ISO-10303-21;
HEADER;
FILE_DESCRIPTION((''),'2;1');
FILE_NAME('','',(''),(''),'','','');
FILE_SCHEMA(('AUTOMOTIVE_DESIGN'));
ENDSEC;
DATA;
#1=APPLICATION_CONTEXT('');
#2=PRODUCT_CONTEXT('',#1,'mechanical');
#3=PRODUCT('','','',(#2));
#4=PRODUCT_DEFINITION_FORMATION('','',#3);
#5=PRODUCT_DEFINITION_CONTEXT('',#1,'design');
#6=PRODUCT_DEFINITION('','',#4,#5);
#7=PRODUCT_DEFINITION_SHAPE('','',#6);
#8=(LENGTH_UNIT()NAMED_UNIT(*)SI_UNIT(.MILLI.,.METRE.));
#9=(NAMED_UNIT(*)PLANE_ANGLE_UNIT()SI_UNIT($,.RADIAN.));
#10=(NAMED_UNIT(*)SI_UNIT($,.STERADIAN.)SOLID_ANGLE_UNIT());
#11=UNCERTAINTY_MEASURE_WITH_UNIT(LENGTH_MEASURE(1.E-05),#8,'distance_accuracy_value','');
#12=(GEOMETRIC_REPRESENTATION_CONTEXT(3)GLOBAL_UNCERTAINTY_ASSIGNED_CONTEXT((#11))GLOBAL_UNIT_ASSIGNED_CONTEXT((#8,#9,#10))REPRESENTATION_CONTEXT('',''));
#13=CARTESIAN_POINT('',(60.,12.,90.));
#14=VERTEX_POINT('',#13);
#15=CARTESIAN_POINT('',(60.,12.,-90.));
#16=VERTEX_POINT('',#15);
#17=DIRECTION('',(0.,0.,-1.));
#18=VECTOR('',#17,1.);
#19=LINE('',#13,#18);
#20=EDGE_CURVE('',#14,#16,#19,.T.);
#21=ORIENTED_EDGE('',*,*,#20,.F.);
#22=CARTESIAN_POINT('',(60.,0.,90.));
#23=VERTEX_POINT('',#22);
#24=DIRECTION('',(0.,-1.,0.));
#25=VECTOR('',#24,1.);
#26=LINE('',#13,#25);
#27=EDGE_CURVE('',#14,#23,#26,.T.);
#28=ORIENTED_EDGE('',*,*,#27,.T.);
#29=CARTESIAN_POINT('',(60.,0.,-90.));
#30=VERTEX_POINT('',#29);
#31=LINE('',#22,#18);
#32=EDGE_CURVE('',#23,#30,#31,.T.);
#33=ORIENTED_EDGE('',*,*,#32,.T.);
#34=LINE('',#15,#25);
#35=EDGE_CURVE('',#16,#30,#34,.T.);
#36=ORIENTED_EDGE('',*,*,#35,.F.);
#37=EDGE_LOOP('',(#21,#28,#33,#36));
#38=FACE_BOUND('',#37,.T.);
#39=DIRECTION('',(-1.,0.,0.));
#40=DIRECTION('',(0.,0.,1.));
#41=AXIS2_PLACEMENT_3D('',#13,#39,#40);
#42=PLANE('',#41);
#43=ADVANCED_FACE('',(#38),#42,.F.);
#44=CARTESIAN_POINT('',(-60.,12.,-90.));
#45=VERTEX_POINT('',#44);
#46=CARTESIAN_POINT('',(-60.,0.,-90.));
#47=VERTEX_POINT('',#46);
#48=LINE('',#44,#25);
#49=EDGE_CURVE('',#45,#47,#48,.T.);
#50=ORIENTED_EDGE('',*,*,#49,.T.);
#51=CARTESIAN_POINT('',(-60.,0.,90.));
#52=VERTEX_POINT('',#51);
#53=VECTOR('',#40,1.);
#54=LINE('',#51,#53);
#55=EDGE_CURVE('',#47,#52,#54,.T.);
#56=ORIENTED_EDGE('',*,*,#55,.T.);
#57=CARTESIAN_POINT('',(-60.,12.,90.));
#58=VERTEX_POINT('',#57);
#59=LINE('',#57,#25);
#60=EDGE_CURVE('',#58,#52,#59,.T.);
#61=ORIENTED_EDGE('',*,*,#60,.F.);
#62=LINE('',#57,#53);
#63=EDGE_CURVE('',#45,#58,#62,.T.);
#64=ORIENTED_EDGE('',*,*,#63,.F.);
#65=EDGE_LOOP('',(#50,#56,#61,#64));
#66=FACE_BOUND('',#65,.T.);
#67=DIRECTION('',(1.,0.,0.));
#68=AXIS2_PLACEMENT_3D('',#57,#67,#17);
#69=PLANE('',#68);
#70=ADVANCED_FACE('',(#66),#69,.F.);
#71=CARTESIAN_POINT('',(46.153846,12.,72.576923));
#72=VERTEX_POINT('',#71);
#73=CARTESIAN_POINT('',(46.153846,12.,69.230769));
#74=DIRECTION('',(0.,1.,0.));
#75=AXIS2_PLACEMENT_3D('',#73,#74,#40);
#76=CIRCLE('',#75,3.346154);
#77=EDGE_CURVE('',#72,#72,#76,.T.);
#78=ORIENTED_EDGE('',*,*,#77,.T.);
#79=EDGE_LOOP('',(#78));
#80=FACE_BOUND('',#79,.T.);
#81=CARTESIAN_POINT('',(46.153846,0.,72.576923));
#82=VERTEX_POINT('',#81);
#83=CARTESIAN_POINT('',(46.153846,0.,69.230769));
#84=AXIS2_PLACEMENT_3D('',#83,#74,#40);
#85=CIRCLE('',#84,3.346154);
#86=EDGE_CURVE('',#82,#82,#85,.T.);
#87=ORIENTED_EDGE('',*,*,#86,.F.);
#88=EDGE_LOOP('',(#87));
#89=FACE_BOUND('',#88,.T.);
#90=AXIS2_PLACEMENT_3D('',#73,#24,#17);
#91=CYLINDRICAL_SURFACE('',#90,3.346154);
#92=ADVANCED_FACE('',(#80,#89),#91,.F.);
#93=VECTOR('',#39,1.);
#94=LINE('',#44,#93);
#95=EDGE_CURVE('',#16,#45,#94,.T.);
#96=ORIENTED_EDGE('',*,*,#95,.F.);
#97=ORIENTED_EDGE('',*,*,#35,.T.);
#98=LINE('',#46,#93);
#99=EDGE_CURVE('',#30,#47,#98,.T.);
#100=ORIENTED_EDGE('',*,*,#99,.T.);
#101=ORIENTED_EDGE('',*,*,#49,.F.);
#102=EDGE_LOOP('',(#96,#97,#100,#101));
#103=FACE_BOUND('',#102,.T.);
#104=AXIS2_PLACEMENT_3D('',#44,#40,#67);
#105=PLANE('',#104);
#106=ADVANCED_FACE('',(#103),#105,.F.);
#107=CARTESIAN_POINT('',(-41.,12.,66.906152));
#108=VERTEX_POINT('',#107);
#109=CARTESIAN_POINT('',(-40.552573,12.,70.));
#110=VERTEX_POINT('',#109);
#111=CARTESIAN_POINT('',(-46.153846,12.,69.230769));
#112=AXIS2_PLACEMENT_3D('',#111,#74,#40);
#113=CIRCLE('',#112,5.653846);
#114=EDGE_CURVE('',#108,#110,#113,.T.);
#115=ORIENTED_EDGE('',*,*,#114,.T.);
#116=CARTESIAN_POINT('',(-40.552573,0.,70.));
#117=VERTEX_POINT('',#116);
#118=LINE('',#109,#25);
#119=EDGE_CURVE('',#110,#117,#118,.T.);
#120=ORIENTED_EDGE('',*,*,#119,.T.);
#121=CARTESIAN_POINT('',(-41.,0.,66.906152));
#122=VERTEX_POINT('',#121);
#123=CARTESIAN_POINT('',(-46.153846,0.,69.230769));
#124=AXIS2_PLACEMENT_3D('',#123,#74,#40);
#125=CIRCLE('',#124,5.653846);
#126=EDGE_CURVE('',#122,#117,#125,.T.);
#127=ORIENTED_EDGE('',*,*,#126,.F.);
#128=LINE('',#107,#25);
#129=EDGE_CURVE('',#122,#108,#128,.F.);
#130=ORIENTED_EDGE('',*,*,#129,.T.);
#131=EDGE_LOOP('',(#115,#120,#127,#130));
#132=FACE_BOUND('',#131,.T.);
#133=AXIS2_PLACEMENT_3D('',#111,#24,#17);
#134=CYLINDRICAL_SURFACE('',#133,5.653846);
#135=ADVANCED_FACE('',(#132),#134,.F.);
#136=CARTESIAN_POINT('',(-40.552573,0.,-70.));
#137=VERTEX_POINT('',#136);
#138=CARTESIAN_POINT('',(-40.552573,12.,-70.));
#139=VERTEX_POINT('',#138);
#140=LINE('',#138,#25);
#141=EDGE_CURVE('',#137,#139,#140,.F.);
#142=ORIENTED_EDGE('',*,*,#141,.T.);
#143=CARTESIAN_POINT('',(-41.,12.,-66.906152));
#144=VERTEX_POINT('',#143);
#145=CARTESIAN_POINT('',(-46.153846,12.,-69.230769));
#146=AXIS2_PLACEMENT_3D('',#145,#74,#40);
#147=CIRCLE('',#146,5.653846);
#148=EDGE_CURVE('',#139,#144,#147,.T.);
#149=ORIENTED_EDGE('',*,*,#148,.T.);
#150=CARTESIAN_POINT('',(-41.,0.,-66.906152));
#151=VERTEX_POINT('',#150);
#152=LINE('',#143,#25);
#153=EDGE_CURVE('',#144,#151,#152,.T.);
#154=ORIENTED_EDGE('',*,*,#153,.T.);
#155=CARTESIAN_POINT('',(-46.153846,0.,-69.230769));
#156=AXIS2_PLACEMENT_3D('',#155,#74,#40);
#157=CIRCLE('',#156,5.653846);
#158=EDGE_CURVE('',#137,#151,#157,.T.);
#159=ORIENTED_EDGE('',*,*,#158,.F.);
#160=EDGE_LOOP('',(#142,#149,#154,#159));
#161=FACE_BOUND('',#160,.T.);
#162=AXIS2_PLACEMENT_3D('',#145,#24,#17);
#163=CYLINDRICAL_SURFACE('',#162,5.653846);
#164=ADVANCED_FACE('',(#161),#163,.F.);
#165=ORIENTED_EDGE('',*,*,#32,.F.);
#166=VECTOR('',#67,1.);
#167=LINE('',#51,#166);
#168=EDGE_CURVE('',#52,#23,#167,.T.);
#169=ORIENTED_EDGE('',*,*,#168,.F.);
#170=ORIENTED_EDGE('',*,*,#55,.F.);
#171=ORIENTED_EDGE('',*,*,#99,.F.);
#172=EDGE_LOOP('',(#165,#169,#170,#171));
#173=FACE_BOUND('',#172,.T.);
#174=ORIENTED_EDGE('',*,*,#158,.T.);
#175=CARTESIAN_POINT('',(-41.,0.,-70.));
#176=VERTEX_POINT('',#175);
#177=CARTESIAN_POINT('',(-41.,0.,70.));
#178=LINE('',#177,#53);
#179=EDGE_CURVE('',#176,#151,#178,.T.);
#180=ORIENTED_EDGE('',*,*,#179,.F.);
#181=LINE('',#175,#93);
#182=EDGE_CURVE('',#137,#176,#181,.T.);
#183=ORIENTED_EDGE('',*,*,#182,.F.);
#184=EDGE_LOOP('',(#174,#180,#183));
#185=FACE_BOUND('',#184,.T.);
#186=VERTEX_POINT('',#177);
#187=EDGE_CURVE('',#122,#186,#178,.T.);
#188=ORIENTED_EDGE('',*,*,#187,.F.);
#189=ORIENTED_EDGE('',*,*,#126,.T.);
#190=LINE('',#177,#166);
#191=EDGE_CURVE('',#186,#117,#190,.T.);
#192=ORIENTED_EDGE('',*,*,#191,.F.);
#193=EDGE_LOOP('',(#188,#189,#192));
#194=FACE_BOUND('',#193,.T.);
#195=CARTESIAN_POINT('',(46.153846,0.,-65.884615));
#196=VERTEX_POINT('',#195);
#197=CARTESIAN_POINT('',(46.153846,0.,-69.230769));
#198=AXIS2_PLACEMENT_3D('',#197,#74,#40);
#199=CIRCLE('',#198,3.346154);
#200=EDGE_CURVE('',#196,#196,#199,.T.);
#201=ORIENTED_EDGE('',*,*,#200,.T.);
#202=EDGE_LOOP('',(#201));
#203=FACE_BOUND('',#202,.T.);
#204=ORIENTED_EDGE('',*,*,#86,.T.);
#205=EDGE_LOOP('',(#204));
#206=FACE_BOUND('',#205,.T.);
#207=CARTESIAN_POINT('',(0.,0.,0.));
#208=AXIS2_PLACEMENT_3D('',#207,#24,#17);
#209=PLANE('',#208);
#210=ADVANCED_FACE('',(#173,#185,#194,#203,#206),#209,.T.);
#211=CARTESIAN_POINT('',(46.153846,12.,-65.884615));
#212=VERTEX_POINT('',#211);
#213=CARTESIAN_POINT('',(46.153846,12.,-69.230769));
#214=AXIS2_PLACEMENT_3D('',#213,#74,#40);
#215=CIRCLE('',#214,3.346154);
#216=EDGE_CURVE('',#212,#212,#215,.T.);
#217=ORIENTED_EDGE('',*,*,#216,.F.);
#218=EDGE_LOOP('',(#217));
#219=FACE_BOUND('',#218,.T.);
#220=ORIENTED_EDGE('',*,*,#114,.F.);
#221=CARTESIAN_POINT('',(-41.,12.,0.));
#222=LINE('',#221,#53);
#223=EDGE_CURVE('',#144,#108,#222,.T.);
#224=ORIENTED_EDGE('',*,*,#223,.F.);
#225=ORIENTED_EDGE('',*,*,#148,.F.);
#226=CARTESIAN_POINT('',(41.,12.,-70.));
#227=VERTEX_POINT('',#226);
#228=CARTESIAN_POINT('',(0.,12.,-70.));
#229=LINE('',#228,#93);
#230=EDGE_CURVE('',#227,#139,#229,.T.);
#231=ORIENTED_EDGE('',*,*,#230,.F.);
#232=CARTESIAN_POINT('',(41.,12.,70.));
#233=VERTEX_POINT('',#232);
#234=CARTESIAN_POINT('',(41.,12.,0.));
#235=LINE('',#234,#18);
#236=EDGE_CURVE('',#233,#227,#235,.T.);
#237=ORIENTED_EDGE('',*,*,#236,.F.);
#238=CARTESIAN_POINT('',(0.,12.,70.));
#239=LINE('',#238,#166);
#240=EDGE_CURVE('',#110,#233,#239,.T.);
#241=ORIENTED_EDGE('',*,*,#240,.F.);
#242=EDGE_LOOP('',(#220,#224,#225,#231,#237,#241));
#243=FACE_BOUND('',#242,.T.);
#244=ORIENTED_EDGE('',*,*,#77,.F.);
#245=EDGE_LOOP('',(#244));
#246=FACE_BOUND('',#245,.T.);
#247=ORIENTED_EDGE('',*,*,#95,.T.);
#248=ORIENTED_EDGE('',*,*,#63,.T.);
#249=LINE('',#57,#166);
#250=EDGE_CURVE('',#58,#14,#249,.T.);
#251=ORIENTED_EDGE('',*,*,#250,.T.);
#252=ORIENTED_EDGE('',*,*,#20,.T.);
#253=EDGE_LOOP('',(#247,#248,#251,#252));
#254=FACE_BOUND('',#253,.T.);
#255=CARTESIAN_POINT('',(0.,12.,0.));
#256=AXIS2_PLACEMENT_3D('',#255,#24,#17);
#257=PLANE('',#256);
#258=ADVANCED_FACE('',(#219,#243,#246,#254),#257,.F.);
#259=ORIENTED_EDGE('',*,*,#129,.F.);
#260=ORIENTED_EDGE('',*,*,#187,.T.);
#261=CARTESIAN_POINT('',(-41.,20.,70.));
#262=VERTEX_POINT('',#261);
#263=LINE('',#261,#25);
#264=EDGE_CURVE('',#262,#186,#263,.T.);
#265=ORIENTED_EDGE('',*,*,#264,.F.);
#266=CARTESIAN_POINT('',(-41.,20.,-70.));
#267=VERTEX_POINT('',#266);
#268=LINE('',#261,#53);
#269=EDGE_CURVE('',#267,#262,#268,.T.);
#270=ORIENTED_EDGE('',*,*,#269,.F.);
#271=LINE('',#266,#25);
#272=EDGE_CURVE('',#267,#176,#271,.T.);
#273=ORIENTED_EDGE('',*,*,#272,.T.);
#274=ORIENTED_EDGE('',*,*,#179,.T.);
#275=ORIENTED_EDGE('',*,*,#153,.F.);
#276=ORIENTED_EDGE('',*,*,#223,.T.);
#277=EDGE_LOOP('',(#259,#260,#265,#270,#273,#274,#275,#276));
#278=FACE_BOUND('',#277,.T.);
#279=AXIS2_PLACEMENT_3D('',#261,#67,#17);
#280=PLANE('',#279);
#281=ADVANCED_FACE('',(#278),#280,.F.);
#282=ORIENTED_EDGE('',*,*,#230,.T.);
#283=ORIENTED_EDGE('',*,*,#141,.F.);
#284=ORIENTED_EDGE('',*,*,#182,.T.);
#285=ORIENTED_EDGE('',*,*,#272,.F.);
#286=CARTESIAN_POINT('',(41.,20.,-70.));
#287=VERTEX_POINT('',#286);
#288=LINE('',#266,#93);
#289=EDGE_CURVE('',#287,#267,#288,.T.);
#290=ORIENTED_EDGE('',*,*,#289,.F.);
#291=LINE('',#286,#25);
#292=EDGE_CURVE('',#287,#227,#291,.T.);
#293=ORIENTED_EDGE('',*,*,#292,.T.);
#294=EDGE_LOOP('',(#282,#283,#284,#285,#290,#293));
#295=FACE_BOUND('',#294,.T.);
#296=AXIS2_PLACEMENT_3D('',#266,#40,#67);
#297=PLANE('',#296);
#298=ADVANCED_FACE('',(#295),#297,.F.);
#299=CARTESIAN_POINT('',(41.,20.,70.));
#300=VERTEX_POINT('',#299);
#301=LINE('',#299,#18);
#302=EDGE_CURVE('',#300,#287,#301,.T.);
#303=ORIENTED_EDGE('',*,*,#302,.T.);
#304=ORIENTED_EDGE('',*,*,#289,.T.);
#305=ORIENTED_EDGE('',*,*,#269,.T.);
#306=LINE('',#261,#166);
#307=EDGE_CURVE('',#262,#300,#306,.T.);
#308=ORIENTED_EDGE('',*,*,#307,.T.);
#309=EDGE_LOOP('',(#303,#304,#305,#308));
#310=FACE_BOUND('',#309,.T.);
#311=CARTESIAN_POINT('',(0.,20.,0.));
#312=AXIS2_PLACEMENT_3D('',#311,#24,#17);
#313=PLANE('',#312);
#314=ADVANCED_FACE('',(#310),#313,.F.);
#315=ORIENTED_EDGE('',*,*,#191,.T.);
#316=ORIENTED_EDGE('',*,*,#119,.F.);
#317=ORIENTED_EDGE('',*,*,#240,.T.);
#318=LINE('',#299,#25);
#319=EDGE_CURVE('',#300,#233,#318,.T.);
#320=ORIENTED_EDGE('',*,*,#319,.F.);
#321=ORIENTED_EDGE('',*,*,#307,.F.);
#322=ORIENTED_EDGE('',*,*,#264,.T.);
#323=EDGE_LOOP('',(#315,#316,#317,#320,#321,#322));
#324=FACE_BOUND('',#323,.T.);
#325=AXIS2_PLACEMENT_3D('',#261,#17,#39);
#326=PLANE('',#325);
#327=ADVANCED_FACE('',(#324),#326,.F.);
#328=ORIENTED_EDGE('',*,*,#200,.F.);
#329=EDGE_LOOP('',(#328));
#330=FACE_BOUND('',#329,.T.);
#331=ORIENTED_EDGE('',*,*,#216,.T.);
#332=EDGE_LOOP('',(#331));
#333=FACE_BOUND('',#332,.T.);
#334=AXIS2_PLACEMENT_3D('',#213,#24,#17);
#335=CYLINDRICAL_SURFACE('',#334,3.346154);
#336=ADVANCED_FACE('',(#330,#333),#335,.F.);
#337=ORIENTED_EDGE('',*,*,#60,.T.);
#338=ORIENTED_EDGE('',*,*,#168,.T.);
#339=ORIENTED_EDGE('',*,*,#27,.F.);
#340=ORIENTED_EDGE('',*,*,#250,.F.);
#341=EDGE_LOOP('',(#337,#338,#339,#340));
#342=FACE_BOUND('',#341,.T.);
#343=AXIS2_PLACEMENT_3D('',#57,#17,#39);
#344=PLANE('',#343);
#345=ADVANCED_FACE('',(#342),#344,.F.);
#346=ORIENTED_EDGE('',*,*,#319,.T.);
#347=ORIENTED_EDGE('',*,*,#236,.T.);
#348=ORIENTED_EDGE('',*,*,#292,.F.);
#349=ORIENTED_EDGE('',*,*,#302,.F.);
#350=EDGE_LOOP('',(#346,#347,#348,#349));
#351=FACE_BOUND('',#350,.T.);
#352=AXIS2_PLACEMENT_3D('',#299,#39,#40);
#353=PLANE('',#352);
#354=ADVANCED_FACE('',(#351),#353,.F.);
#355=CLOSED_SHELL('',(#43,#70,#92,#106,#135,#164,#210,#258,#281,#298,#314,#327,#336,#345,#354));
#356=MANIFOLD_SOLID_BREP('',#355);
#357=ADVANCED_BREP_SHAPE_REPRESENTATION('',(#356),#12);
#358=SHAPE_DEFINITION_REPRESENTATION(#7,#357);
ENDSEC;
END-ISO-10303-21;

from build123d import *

# Parameters (mm, degrees)
F_01_BASE_PROFILE_W           = 120
F_01_BASE_PROFILE_H           = 180
F_01_BASE_PROFILE_R           = 5.653846154
F_01_BASE_PROFILE_R_2         = 3.346153846
F_01_BASE_PROFILE_W_2         = 18
F_01_BASE_PROFILE_H_2         = 125
F_01_BASE_EXTRUDE_DEPTH       = 12
F_02_BOSS_PROFILE_W           = 82
F_02_BOSS_PROFILE_H           = 140
F_02_REINFORCEMENT_BOSS_DEPTH = 20


with BuildPart() as part:
    # 01_Base_Profile → 01_Base_Extrude (new body)
    with BuildSketch(Plane(origin=(0, 0, 0), x_dir=(1, 0, 0), z_dir=(0, 1, 0))):
        Rectangle(F_01_BASE_PROFILE_W, F_01_BASE_PROFILE_H)
        with Locations(Location((-46.153846154, -69.230769231, 0), (0, 0, 270))):
            Circle(F_01_BASE_PROFILE_R, mode=Mode.SUBTRACT)
        with Locations(Location((46.153846154, -69.230769231, 0), (0, 0, 270))):
            Circle(F_01_BASE_PROFILE_R_2, mode=Mode.SUBTRACT)
        with Locations(Location((-46.153846154, 69.230769231, 0), (0, 0, 270))):
            Circle(F_01_BASE_PROFILE_R, mode=Mode.SUBTRACT)
        with Locations(Location((46.153846154, 69.230769231, 0), (0, 0, 270))):
            Circle(F_01_BASE_PROFILE_R_2, mode=Mode.SUBTRACT)
        Rectangle(F_01_BASE_PROFILE_W_2, F_01_BASE_PROFILE_H_2, mode=Mode.SUBTRACT)
    extrude(amount=F_01_BASE_EXTRUDE_DEPTH)

    # 02_Boss_Profile → 02_Reinforcement_Boss (add)
    with BuildSketch(Plane(origin=(0, 0, 0), x_dir=(1, 0, 0), z_dir=(0, 1, 0))):
        Rectangle(F_02_BOSS_PROFILE_W, F_02_BOSS_PROFILE_H)
    extrude(amount=F_02_REINFORCEMENT_BOSS_DEPTH)


solid = part.part
